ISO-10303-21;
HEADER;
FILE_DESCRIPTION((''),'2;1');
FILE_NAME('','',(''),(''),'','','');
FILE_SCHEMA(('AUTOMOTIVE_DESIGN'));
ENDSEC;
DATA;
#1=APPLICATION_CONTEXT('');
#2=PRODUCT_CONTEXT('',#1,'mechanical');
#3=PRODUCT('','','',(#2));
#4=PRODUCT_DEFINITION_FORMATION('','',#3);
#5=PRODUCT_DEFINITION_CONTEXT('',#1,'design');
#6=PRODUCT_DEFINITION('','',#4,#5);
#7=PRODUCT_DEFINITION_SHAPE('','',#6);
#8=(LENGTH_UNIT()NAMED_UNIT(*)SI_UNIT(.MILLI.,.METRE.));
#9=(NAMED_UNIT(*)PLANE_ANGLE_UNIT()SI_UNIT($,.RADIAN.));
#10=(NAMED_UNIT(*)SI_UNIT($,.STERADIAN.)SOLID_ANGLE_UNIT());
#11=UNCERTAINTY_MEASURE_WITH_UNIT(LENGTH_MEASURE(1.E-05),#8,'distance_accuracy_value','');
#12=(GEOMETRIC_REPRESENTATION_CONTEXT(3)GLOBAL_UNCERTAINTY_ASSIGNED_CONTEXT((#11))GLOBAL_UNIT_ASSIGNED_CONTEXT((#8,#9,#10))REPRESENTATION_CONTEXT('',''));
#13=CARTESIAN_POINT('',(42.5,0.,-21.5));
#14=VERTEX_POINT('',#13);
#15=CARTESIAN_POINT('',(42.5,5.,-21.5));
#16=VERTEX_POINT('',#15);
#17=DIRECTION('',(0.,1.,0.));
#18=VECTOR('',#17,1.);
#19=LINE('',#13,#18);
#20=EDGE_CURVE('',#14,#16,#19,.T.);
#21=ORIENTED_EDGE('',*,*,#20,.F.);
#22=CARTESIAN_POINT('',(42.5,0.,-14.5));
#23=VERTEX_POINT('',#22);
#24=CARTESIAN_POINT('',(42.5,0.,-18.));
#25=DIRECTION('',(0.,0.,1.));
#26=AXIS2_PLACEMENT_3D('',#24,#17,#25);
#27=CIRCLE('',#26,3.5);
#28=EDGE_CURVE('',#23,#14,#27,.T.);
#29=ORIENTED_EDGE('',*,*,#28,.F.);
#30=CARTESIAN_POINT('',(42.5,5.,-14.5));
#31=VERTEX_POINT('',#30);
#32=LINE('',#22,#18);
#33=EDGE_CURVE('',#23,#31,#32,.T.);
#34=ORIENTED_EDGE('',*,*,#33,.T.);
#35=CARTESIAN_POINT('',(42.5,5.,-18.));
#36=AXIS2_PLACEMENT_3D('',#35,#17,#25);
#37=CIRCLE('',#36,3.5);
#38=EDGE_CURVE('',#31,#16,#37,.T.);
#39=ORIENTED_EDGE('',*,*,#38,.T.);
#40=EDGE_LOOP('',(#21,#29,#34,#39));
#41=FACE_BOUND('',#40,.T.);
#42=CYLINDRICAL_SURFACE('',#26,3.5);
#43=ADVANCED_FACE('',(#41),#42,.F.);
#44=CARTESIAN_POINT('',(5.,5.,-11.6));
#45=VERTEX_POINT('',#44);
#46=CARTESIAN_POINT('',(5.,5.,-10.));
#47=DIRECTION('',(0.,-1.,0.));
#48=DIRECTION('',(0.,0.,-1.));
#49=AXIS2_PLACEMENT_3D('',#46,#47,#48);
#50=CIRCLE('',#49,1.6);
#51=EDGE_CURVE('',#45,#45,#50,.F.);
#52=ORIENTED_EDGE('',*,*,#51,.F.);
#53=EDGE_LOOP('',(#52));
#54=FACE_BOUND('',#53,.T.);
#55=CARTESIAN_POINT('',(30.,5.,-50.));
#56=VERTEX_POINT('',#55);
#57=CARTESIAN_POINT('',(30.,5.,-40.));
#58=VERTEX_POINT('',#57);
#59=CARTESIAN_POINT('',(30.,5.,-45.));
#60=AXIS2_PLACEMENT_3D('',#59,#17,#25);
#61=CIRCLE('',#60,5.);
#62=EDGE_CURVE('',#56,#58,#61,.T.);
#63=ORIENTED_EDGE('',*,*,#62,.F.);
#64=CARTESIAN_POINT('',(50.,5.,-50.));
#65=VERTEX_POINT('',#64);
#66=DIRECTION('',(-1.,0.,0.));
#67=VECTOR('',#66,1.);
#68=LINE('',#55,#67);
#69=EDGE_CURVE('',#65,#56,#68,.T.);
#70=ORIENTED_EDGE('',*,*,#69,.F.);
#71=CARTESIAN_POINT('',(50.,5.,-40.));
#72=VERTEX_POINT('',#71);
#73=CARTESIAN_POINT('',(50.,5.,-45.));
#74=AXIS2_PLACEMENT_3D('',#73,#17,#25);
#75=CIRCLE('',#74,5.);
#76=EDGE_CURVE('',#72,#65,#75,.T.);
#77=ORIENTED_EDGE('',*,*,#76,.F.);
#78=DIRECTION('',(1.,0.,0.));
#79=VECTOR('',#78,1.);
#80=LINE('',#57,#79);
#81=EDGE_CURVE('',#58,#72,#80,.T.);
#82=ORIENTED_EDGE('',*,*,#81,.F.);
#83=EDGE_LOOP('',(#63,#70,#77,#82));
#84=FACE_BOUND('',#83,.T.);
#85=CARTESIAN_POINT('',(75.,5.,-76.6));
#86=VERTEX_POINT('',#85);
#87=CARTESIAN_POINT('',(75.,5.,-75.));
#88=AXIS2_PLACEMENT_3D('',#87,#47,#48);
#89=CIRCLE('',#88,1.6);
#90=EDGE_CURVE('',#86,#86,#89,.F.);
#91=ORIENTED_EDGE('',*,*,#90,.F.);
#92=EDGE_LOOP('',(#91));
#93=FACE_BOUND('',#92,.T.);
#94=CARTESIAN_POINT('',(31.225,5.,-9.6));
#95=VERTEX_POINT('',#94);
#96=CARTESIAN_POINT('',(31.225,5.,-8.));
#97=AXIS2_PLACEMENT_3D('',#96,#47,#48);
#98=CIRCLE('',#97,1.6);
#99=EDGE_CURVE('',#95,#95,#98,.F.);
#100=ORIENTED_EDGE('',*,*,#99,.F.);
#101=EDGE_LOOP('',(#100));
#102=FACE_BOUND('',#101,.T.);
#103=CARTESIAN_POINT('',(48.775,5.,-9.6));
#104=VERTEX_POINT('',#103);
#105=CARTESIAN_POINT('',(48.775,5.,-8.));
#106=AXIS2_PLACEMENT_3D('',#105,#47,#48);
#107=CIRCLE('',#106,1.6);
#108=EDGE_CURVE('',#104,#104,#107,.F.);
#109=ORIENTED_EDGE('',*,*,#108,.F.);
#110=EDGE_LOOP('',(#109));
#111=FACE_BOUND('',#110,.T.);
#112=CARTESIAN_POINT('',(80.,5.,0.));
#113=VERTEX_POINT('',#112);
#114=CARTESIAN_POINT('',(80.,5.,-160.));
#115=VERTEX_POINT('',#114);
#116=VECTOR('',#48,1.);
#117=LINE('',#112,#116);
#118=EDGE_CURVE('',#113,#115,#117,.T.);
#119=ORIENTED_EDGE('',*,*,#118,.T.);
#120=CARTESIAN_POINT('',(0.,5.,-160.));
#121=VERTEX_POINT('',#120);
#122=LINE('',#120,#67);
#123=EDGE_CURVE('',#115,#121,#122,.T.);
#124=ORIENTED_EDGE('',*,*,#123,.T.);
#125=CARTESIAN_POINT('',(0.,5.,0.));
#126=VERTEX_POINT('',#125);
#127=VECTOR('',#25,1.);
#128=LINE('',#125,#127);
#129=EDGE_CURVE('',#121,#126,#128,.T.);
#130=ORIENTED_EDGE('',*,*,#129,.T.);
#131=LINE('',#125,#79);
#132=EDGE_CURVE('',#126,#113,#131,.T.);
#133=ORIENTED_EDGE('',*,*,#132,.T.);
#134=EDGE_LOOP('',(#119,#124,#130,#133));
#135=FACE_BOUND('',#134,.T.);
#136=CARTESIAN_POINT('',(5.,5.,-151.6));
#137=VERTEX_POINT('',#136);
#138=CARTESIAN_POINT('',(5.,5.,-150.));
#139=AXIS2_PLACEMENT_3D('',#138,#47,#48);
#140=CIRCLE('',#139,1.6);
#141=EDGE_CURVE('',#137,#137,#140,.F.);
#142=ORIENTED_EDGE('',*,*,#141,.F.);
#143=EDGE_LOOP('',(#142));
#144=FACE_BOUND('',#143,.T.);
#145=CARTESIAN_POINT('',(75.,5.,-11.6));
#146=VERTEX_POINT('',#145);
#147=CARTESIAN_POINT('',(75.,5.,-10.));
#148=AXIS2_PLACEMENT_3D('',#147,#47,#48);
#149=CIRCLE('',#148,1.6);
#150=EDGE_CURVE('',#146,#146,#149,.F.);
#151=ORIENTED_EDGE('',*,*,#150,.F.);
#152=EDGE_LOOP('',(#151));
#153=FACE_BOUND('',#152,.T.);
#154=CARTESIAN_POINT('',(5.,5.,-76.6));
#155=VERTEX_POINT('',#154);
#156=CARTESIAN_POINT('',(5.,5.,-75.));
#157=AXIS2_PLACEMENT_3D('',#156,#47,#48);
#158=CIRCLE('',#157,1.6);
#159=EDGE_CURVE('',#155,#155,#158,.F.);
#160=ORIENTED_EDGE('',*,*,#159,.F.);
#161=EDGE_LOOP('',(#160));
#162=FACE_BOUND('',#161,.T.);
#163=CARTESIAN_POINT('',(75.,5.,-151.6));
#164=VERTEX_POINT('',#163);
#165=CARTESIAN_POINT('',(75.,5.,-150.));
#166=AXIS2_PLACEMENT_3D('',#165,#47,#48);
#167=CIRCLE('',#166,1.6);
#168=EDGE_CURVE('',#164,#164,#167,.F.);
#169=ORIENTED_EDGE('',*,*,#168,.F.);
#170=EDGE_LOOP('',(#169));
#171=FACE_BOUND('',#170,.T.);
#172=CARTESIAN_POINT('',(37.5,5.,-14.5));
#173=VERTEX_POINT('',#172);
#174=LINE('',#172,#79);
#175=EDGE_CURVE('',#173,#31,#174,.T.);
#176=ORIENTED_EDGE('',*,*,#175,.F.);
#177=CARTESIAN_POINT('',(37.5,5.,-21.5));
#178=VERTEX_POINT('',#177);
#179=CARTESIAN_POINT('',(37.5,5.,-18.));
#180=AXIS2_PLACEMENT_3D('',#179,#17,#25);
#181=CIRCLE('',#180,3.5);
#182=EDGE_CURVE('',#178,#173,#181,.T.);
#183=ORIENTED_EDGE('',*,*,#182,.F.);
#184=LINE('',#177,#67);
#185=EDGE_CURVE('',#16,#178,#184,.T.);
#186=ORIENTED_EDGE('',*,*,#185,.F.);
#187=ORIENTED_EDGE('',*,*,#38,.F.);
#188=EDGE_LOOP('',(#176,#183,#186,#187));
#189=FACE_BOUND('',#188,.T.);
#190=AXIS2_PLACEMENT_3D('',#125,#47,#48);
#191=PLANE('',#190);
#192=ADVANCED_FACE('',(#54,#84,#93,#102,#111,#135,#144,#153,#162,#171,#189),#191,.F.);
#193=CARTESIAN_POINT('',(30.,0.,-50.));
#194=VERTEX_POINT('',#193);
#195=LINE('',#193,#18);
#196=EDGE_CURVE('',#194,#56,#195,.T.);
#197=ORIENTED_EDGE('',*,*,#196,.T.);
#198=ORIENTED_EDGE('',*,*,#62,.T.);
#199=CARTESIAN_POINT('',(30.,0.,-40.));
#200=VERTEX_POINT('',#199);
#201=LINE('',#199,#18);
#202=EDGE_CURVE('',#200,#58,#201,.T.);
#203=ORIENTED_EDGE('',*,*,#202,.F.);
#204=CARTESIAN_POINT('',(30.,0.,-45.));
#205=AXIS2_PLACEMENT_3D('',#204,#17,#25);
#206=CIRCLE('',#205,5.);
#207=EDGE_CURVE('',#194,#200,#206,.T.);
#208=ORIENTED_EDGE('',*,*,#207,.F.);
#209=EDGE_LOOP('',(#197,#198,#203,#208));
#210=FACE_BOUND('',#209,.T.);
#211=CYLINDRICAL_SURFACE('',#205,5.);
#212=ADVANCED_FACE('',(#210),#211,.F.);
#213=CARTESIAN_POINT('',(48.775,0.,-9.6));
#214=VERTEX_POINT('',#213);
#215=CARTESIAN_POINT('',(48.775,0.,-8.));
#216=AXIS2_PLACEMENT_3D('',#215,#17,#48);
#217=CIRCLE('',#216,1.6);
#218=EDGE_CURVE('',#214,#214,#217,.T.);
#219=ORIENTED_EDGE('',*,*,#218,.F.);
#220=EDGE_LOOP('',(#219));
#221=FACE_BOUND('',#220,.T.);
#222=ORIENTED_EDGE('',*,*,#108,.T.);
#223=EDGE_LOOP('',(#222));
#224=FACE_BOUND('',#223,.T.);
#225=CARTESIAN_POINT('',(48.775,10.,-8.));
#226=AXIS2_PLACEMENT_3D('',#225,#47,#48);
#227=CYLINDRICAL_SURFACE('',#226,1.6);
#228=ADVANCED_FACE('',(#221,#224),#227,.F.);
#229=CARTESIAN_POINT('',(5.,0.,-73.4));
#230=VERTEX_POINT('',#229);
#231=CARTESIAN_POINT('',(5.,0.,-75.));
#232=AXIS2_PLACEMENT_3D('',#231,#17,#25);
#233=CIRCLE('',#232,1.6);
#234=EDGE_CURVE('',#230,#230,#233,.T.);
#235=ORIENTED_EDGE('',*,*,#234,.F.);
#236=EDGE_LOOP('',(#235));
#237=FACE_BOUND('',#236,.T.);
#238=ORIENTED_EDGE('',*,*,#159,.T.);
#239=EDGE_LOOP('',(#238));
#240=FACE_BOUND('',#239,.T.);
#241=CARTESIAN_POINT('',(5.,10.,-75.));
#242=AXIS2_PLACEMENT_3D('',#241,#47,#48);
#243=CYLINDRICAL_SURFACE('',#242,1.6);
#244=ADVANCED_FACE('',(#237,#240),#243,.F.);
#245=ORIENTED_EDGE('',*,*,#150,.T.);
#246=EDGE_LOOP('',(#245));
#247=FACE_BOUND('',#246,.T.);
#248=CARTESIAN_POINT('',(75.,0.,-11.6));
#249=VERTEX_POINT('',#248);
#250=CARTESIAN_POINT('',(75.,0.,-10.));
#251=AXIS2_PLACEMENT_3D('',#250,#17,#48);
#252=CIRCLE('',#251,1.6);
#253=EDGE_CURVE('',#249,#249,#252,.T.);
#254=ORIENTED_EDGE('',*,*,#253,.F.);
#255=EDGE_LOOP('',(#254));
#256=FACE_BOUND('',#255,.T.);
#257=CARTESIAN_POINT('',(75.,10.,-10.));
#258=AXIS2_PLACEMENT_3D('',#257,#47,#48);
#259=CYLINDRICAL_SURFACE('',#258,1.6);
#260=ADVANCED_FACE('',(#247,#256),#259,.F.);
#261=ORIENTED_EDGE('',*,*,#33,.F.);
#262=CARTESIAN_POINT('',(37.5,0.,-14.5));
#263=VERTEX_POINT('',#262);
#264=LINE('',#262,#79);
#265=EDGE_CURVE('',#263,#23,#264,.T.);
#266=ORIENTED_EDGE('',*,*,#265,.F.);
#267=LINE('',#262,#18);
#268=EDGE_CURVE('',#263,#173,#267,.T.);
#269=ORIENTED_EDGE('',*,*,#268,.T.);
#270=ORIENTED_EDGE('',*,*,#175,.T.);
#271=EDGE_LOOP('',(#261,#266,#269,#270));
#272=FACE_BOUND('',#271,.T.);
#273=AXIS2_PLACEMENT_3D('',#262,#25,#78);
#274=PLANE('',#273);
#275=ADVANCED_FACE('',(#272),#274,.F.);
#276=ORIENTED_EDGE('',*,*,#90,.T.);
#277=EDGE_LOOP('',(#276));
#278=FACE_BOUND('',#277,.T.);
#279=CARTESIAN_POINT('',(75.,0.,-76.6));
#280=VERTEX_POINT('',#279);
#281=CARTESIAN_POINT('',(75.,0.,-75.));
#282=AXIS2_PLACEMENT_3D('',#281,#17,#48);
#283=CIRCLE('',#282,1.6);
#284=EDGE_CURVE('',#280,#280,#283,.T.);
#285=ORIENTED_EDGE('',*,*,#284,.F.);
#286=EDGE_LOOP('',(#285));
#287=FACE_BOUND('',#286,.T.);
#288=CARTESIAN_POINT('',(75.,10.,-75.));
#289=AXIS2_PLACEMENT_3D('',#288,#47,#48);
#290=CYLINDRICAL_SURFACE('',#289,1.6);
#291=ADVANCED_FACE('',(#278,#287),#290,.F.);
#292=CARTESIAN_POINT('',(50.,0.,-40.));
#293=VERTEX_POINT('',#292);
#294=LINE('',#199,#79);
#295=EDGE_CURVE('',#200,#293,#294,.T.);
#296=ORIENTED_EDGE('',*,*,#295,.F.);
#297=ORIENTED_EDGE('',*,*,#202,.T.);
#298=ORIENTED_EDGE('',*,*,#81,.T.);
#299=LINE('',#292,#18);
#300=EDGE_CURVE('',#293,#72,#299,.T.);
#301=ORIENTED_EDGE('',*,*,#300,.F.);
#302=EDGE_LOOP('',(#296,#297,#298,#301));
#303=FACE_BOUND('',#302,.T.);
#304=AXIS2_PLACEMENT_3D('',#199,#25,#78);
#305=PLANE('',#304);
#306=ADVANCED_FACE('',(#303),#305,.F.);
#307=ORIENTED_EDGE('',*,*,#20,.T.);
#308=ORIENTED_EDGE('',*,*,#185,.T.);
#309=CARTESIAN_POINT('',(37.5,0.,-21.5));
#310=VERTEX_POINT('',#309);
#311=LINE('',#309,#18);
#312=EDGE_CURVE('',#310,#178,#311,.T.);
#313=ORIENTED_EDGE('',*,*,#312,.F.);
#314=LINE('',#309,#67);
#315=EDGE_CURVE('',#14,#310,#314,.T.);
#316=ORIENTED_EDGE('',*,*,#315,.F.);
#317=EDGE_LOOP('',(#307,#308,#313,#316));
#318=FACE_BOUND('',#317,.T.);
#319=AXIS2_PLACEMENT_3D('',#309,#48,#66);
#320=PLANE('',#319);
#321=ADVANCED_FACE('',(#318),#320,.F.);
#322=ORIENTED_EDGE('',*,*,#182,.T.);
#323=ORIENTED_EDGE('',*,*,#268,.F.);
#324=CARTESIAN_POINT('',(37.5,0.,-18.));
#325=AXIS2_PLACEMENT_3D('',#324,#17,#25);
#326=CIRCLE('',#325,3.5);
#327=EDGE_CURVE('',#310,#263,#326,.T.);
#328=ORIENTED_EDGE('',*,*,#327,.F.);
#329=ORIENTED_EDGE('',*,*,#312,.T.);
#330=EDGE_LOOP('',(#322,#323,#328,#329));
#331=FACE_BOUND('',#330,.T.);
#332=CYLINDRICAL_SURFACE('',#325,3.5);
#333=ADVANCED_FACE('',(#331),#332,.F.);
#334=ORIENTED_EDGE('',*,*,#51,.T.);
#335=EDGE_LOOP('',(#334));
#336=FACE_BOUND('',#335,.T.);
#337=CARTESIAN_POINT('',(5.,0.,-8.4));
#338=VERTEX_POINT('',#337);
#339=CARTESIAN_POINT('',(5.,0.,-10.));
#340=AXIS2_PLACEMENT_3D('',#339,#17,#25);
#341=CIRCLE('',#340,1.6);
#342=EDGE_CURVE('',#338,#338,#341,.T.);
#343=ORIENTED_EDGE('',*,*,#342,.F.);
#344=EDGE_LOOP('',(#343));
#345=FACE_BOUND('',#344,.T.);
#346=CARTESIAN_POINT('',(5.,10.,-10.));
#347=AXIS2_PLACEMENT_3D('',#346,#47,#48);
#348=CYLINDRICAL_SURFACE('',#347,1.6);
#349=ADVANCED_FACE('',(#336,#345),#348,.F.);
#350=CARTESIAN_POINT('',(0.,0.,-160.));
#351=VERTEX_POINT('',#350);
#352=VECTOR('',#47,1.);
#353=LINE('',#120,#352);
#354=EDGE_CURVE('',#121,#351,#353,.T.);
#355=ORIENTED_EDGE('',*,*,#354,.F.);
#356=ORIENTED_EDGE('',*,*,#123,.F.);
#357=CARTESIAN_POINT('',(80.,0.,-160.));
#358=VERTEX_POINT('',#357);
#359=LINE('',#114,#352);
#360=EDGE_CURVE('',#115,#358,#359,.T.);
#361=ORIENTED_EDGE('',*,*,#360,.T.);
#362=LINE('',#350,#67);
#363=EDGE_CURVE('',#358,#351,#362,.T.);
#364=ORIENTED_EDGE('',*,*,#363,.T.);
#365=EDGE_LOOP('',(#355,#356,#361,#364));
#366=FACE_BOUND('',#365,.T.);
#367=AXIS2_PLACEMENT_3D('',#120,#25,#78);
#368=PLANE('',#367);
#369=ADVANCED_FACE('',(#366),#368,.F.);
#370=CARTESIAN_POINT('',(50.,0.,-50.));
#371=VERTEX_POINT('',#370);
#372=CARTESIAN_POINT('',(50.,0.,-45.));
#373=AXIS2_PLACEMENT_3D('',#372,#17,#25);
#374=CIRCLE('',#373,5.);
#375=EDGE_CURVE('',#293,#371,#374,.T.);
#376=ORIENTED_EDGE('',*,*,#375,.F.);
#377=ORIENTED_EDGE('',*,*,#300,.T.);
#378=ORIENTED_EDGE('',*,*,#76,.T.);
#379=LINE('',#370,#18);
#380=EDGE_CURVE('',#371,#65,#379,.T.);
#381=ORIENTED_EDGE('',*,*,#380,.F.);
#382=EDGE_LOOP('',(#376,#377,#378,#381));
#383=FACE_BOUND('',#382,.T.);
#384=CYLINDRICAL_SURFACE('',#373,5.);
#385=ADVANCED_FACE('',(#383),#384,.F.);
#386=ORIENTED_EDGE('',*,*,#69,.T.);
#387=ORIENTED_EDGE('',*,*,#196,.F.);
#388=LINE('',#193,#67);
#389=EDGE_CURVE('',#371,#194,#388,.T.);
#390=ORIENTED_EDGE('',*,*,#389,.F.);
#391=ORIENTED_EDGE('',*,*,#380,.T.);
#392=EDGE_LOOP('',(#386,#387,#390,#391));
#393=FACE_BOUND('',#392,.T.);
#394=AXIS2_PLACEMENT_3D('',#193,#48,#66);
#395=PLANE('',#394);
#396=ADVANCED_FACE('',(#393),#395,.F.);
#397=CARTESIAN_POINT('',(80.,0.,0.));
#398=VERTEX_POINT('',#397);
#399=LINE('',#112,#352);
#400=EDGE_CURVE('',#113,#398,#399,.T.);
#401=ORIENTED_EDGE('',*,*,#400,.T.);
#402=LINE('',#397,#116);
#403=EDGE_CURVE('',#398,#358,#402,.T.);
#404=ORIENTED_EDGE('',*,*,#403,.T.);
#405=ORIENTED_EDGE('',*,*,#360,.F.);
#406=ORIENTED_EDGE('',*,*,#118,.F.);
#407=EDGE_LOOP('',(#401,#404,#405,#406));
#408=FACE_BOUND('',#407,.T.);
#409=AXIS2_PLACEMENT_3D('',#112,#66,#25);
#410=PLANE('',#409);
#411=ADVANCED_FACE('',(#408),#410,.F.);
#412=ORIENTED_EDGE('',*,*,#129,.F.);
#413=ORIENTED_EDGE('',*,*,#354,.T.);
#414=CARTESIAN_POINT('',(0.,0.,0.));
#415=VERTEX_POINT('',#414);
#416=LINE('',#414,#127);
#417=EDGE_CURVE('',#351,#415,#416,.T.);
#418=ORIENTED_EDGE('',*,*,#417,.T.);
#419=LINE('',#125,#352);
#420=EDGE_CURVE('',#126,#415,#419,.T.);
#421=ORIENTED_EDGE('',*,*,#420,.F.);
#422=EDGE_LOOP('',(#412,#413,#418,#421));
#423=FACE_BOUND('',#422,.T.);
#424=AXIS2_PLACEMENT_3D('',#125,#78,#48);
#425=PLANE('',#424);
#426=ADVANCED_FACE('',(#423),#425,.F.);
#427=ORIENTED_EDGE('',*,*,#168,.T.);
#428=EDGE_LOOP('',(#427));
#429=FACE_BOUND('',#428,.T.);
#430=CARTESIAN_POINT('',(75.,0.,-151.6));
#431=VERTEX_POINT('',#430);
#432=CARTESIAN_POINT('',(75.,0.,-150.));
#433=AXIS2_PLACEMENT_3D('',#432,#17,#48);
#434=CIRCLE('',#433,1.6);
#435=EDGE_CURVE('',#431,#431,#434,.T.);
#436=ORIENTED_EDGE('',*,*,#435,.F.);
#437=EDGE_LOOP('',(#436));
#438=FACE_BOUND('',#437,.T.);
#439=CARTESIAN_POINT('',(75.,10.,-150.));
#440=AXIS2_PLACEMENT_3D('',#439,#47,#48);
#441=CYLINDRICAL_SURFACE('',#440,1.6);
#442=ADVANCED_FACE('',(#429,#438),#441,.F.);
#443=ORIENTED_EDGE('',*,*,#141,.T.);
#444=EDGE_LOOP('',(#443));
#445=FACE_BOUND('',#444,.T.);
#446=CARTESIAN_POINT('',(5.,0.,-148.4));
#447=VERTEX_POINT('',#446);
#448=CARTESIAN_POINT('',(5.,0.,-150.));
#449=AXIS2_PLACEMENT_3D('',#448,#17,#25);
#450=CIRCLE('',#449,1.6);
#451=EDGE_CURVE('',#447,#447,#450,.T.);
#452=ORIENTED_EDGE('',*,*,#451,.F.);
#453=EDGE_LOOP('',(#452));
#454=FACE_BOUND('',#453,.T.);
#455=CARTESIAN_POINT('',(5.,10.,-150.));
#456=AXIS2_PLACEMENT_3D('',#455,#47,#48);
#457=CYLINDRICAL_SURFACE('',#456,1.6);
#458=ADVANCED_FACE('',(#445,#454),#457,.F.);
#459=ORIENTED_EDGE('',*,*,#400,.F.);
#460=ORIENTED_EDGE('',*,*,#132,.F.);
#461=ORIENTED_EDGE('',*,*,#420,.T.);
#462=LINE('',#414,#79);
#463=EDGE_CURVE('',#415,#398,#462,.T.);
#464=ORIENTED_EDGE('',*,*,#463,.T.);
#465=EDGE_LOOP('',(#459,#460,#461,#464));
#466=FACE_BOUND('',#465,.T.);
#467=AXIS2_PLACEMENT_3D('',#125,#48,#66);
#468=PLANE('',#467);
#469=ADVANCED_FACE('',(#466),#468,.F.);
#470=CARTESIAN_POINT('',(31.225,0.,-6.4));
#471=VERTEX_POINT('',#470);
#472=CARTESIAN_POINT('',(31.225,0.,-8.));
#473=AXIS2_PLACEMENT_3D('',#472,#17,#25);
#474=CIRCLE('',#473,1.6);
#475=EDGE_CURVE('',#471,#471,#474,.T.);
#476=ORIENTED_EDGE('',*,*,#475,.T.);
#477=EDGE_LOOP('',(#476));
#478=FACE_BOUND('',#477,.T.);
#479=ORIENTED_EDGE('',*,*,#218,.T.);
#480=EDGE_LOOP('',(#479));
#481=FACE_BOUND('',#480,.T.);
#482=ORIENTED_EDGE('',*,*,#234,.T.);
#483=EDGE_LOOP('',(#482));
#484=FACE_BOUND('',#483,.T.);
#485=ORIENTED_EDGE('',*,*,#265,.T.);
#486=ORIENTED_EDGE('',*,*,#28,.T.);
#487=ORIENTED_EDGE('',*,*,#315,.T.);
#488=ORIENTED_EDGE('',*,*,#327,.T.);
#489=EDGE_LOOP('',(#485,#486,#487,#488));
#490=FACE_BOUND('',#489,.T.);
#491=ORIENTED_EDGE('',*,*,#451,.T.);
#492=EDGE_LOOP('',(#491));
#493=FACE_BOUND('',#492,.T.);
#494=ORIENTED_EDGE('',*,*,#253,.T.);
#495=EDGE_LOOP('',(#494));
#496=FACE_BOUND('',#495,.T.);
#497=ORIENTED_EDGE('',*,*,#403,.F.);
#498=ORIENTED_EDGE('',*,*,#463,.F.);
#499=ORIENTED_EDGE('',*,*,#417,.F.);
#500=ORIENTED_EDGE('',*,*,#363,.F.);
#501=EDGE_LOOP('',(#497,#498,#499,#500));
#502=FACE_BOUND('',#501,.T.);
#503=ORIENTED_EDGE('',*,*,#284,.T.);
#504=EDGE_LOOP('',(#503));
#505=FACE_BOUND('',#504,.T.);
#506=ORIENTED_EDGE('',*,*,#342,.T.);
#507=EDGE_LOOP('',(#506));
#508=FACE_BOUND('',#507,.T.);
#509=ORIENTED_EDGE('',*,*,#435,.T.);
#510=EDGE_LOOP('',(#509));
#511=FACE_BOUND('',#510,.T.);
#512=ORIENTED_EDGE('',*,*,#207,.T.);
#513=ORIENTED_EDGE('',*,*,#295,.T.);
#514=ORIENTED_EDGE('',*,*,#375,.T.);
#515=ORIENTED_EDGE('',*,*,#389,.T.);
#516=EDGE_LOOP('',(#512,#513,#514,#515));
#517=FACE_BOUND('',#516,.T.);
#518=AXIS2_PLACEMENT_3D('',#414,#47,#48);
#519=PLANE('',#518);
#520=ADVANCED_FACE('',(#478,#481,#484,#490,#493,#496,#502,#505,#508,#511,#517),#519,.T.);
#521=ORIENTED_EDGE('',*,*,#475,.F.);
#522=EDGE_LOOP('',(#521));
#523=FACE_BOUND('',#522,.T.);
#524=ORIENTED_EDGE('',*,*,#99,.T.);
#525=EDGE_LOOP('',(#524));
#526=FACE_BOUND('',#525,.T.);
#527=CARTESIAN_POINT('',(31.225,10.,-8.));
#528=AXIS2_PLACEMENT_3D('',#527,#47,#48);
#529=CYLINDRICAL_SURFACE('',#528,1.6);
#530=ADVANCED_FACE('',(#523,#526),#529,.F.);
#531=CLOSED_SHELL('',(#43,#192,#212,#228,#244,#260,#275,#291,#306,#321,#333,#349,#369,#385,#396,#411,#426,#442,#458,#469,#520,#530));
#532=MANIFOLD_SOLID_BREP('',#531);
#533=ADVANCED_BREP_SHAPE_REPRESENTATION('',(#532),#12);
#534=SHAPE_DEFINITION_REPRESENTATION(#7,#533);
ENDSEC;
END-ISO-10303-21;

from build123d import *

# Parameters (mm, degrees)
ESQUISSE1_W              = 80
ESQUISSE1_H              = 160
BOSS_EXTRU_1_DEPTH       = 5
ESQUISSE2_R              = 1.6
ENL_V_MAT_EXTRU_8_DEPTH  = 10
ESQUISSE3_R              = 1.6
ENL_V_MAT_EXTRU_10_DEPTH = 10
ENL_V_MAT_EXTRU_11_DEPTH = 179.955301682


with BuildPart() as part:
    # Esquisse1 → Boss.-Extru.1 (new body)
    with BuildSketch(Plane(origin=(0, 0, 0), x_dir=(1, 0, 0), z_dir=(0, 1, 0))):
        with Locations((40, 80)):
            Rectangle(ESQUISSE1_W, ESQUISSE1_H)
    extrude(amount=BOSS_EXTRU_1_DEPTH)

    # Esquisse2 → Enlèv. mat.-Extru.8 (cut)
    with BuildSketch(Plane(origin=(0, 0, 0), x_dir=(1, 0, 0), z_dir=(0, 1, 0))):
        with Locations(Location((5, 150, 0), (0, 0, 90))):
            Circle(ESQUISSE2_R)
        with Locations(Location((5, 75, 0), (0, 0, 90))):
            Circle(ESQUISSE2_R)
        with Locations(Location((5, 10, 0), (0, 0, 90))):
            Circle(ESQUISSE2_R)
        with Locations(Location((75, 10, 0), (0, 0, 90))):
            Circle(ESQUISSE2_R)
        with Locations(Location((75, 75, 0), (0, 0, 90))):
            Circle(ESQUISSE2_R)
        with Locations(Location((75, 150, 0), (0, 0, 90))):
            Circle(ESQUISSE2_R)
    extrude(amount=ENL_V_MAT_EXTRU_8_DEPTH, mode=Mode.SUBTRACT)

    # Esquisse3 → Enlèv. mat.-Extru.10 (cut)
    with BuildSketch(Plane(origin=(0, 0, 0), x_dir=(1, 0, 0), z_dir=(0, 1, 0))):
        with Locations(Location((31.225, 8, 0), (0, 0, 90))):
            Circle(ESQUISSE3_R)
        with Locations(Location((48.775, 8, 0), (0, 0, 90))):
            Circle(ESQUISSE3_R)
    extrude(amount=ENL_V_MAT_EXTRU_10_DEPTH, mode=Mode.SUBTRACT)

    # Esquisse4 → Enlèv. mat.-Extru.11 (cut, through all)
    with BuildSketch(Plane(origin=(0, 5, 0), x_dir=(1, 0, 0), z_dir=(0, 1, 0))):
        with BuildLine():
            Line((37.5, 21.5), (42.5, 21.5))
            ThreePointArc((42.5, 21.5), (46, 18), (42.5, 14.5))
            Line((42.5, 14.5), (37.5, 14.5))
            ThreePointArc((37.5, 14.5), (34, 18), (37.5, 21.5))
        make_face()
        with BuildLine():
            Line((30, 50), (50, 50))
            ThreePointArc((50, 50), (55, 45), (50, 40))
            Line((50, 40), (30, 40))
            ThreePointArc((30, 40), (25, 45), (30, 50))
        make_face()
    extrude(amount=-ENL_V_MAT_EXTRU_11_DEPTH, mode=Mode.SUBTRACT)


solid = part.part
